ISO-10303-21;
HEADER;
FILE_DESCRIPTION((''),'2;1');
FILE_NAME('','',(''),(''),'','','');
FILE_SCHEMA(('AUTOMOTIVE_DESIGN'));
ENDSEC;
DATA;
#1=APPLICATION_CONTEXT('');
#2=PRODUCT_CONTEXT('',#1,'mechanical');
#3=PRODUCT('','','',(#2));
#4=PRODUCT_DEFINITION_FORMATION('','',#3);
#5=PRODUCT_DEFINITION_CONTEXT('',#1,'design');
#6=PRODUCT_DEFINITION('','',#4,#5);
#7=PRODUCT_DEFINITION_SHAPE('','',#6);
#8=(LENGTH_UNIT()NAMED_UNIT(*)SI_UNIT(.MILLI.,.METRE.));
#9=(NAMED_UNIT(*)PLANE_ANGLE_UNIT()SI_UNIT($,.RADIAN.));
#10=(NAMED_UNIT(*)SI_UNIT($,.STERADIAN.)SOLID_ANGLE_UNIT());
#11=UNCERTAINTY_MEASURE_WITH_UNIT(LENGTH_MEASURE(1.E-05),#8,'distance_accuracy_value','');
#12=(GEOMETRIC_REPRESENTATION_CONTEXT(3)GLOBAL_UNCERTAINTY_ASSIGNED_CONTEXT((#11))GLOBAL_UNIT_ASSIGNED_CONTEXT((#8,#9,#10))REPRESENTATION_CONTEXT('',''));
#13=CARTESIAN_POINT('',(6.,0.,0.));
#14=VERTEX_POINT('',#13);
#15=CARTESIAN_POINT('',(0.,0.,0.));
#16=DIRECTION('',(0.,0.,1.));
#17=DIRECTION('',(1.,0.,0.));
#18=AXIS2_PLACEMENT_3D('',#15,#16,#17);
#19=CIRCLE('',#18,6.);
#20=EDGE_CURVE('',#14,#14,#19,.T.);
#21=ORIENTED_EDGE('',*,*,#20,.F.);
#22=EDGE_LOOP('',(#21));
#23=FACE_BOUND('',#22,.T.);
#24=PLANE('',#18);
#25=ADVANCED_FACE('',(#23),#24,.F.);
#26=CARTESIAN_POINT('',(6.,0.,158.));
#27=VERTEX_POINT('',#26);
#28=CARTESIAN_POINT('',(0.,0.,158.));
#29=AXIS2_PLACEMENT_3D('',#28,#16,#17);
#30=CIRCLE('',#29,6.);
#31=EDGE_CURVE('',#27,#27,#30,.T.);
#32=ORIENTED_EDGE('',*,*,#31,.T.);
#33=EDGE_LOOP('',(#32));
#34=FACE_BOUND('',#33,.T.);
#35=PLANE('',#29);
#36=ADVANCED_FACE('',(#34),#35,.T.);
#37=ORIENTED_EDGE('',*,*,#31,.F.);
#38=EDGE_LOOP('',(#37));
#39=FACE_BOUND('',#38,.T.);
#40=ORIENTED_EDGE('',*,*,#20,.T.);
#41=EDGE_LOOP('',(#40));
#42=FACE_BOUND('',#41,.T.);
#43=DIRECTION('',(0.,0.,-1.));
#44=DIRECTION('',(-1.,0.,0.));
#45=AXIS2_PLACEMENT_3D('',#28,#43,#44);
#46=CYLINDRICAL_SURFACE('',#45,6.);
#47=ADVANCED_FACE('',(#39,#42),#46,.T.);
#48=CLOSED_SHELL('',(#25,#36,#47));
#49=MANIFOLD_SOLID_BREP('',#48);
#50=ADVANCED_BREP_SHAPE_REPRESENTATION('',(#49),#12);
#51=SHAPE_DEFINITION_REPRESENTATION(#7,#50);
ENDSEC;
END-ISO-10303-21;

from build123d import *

# Parameters (mm, degrees)
ESBO_O1_R                = 6
RESSALTO_EXTRUS_O1_DEPTH = 158


with BuildPart() as part:
    # Esboço1 → Ressalto-extrusão1 (new body)
    with BuildSketch(Plane.XY):
        Circle(ESBO_O1_R)
    extrude(amount=RESSALTO_EXTRUS_O1_DEPTH)


solid = part.part
